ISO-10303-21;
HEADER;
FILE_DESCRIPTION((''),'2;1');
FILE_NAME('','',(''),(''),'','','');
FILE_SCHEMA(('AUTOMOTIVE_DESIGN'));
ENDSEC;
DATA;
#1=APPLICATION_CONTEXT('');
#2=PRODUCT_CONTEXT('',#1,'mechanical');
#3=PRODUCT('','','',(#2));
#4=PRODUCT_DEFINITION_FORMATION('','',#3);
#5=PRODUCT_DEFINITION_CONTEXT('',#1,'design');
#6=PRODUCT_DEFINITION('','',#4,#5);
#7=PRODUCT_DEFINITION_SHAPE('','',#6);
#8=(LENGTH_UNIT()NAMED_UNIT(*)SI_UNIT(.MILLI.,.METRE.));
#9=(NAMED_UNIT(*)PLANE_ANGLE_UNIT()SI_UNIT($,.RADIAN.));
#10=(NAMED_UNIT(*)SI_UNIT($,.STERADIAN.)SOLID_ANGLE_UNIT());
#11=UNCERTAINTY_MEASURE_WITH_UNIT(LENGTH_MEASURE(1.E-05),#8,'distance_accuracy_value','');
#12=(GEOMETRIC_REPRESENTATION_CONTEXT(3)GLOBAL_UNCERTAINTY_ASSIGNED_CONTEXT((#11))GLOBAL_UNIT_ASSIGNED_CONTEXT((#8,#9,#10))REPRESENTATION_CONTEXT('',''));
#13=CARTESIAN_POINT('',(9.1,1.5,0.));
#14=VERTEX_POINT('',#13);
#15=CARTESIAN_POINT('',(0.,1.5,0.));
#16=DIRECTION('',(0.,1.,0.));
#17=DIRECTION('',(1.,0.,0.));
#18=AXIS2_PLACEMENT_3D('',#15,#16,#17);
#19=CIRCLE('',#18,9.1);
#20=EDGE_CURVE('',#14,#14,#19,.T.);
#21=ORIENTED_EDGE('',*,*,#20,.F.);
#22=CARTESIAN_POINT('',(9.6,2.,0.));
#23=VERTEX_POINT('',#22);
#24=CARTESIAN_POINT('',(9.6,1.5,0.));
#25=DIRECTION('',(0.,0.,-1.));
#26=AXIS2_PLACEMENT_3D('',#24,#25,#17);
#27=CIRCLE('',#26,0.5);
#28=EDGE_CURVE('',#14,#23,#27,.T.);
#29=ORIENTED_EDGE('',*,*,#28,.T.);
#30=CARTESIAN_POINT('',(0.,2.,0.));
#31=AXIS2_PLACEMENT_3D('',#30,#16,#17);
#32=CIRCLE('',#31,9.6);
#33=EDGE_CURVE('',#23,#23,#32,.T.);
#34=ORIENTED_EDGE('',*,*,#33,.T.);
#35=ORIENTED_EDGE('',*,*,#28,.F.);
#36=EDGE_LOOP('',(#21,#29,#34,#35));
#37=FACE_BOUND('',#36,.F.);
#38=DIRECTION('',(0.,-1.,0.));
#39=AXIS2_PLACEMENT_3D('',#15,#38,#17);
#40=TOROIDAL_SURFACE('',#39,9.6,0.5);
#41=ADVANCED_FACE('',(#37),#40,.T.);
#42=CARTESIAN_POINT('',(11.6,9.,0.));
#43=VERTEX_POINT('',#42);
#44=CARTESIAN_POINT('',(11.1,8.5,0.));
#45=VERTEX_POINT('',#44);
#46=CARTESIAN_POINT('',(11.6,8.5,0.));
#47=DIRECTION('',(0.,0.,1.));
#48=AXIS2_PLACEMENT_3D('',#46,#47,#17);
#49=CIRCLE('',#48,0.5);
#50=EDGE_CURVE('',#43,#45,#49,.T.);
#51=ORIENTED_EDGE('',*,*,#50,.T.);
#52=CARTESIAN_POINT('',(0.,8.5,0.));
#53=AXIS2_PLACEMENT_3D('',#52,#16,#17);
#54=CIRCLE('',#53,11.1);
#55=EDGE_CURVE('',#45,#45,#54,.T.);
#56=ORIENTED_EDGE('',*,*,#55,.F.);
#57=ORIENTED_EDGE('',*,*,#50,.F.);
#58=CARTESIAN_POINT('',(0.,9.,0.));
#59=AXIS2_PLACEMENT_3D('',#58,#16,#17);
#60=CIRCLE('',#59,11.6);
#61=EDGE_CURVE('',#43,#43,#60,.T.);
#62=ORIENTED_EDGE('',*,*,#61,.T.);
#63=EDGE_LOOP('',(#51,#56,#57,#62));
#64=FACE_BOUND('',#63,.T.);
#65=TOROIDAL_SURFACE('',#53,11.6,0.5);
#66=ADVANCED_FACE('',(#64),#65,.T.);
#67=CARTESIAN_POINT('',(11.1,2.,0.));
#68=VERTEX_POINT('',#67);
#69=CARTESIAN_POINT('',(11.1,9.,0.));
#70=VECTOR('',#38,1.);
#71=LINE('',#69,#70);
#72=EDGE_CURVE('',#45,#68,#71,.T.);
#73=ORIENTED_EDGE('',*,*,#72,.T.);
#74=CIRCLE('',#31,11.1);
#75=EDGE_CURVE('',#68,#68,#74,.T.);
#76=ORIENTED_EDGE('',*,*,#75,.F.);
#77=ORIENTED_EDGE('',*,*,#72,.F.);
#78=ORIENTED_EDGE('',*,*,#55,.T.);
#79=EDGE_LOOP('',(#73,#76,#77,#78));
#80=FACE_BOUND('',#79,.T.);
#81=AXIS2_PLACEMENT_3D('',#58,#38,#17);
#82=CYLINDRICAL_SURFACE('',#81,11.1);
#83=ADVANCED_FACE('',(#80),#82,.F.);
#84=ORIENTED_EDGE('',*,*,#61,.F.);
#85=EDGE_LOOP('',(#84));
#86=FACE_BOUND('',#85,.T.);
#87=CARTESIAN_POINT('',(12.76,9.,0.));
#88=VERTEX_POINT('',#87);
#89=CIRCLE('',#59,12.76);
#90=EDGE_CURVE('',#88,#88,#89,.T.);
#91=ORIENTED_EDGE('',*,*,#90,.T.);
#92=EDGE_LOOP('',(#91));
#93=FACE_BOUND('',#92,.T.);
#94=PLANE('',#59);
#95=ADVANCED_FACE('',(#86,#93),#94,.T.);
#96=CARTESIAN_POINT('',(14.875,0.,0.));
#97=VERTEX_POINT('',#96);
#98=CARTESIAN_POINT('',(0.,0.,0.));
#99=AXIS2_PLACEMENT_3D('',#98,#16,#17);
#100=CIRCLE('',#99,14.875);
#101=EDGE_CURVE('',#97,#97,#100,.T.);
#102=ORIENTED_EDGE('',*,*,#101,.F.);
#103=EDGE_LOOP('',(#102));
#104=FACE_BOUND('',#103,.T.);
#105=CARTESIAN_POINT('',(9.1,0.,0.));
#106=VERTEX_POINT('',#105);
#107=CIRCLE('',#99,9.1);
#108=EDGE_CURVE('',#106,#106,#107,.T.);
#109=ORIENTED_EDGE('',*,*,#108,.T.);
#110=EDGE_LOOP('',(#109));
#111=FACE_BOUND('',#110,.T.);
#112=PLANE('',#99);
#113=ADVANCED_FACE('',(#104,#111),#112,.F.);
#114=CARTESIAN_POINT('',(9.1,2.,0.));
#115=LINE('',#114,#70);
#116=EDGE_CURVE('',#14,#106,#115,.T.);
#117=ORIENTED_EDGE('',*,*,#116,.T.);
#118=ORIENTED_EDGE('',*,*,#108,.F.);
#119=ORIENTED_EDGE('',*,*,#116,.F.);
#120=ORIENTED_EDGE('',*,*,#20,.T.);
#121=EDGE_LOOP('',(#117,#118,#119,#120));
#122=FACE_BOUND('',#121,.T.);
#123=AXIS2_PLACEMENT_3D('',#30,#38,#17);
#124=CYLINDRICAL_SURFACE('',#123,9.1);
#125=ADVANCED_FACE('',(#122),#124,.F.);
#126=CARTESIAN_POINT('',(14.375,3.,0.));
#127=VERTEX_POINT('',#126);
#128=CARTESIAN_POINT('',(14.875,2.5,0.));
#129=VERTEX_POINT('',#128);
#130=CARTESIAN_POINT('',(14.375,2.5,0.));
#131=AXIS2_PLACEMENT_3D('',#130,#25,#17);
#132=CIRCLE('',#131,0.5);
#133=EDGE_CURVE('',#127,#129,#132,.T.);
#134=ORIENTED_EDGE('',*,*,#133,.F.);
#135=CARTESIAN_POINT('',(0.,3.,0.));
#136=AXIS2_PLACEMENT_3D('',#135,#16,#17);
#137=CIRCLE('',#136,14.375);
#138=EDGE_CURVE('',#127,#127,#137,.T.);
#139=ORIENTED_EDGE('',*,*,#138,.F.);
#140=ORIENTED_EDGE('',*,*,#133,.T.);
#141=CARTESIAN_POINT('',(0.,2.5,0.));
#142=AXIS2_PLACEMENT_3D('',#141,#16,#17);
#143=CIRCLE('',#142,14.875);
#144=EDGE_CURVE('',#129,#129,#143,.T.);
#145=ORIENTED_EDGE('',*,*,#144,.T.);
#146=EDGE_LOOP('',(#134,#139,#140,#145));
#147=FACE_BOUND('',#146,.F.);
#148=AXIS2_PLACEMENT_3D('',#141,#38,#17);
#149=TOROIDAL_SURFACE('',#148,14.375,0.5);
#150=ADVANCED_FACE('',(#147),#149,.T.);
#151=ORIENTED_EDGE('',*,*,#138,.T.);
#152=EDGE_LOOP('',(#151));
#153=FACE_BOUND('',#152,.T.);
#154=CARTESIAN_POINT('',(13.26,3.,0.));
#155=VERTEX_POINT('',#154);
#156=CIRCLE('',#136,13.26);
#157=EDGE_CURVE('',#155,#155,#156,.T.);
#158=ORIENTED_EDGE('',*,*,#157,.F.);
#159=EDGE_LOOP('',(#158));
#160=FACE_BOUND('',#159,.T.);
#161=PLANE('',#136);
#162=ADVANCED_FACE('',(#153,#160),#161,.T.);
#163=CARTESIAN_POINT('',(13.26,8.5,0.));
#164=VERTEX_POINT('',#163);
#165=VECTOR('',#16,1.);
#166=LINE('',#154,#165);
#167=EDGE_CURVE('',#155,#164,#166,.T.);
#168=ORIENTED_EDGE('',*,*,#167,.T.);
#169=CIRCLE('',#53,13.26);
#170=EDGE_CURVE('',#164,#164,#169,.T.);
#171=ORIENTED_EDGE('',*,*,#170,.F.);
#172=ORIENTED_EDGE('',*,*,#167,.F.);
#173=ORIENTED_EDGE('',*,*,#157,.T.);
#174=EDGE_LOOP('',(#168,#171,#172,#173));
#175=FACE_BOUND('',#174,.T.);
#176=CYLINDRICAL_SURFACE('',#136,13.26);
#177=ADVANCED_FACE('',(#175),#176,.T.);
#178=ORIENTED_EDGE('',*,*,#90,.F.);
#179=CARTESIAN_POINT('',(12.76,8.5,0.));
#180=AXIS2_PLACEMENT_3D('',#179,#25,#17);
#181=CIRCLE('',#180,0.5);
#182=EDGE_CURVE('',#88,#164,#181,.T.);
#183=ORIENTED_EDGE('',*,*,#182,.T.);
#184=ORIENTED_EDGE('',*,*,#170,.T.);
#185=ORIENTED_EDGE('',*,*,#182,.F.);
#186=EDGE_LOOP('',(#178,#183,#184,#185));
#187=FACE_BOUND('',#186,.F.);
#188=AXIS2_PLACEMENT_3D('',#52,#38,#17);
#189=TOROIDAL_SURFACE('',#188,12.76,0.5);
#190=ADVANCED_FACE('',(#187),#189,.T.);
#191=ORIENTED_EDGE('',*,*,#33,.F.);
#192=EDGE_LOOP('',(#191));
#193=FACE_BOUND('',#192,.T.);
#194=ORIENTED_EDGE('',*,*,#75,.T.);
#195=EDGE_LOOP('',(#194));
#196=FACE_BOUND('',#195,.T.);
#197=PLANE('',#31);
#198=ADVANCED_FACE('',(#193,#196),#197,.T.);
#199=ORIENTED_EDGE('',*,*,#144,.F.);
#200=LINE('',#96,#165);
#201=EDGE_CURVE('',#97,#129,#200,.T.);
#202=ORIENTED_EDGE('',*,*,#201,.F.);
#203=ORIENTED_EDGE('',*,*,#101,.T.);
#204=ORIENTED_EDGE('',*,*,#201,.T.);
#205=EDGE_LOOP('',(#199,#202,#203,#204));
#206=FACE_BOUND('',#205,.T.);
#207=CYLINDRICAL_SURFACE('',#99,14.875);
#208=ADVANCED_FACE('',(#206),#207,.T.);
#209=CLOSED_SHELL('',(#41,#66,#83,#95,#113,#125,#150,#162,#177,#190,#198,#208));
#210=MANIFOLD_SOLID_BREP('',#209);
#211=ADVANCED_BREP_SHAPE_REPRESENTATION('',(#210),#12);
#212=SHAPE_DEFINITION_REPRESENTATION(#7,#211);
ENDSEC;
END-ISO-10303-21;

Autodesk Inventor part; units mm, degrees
ref_plane "YZ Plane" through (0, 0, 0) normal (1, 0, 0) x (0, 1, 0)
ref_plane "XZ Plane" through (0, 0, 0) normal (0, 1, 0) x (-1, 0, 0)
ref_plane "XY Plane" through (0, 0, 0) normal (0, 0, 1) x (1, 0, 0)
sketch "Sketch1" plane through (0, 0, 0) normal (0, 0, 1) x (1, 0, 0)
  line L0 (0, 0) -> (0, 10.0763) construction
  line L1 (11.1, 9) -> (11.1, 2)
  line L2 (11.1, 2) -> (9.1, 2)
  line L3 (9.1, 2) -> (9.1, 0)
  line L4 (9.1, 0) -> (14.875, 0)
  line L5 (14.875, 0) -> (14.875, 3)
  line L6 (14.875, 3) -> (13.26, 3)
  line L7 (13.26, 3) -> (13.26, 9)
  line L8 (13.26, 9) -> (11.1, 9)
  dimension "d0" = 2
  dimension "d1" = 7
  dimension "d2" = 13.26
  dimension "d3" = 14.875
  dimension "d4" = 6
  dimension "d5" = 11.1
  dimension "d6" = 2
revolve "Revolution1" add sketch "Sketch1" angle 360 about axis through (0, 0, 0) along (0, 1, 0)
fillet "Fillet1" radius 0.5 4 edges at (-13.26, 9, 0) (-11.1, 9, 0) (-14.875, 3, 0) (-9.1, 2, 0)
properties part number "beltPulley"
